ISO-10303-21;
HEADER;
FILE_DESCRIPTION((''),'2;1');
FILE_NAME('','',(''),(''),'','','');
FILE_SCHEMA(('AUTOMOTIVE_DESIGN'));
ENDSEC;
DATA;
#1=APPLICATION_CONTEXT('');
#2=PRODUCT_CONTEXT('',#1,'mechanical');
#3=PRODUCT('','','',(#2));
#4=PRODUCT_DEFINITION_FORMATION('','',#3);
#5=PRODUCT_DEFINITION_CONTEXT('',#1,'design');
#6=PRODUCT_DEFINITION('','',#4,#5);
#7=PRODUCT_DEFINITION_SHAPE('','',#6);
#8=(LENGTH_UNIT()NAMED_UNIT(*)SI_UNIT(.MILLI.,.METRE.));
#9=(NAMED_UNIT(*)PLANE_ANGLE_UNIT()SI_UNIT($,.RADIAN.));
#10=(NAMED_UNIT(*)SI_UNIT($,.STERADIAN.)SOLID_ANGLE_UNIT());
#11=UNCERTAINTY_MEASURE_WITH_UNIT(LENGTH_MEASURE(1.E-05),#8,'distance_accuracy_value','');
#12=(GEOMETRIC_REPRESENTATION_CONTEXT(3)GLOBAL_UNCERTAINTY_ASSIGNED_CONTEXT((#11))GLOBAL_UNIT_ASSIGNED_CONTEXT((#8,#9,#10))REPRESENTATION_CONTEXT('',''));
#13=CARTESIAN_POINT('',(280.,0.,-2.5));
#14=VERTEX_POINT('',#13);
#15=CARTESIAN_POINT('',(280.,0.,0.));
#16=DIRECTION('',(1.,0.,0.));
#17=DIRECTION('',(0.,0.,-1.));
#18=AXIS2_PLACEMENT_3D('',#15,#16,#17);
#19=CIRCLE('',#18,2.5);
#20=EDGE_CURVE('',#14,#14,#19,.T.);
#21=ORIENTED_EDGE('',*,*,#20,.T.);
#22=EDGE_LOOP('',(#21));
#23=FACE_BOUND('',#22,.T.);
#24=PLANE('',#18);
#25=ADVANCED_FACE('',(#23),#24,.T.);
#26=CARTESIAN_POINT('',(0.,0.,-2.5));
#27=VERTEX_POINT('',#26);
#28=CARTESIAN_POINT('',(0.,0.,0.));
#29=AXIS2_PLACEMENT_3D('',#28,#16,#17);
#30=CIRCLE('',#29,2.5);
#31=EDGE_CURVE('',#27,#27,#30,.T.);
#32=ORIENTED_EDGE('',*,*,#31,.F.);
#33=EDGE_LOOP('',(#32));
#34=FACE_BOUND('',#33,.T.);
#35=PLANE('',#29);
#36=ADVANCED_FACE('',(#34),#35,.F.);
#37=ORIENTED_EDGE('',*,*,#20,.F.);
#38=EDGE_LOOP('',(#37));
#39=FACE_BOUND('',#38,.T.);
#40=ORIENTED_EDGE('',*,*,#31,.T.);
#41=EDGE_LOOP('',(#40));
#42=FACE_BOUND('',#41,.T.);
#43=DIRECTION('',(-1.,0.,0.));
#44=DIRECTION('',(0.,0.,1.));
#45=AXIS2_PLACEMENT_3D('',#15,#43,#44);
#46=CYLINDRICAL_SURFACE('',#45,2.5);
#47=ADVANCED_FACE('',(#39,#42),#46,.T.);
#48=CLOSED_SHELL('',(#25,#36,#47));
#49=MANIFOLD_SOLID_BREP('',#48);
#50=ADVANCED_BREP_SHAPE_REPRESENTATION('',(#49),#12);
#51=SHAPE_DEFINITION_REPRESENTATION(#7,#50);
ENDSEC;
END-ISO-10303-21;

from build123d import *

# Parameters (mm, degrees)
SKETCH1_R           = 2.5
BOSS_EXTRUDE1_DEPTH = 280


with BuildPart() as part:
    # Sketch1 → Boss-Extrude1 (new body)
    with BuildSketch(Plane(origin=(0, 0, 0), x_dir=(0, 0, -1), z_dir=(1, 0, 0))):
        Circle(SKETCH1_R)
    extrude(amount=BOSS_EXTRUDE1_DEPTH)


solid = part.part
